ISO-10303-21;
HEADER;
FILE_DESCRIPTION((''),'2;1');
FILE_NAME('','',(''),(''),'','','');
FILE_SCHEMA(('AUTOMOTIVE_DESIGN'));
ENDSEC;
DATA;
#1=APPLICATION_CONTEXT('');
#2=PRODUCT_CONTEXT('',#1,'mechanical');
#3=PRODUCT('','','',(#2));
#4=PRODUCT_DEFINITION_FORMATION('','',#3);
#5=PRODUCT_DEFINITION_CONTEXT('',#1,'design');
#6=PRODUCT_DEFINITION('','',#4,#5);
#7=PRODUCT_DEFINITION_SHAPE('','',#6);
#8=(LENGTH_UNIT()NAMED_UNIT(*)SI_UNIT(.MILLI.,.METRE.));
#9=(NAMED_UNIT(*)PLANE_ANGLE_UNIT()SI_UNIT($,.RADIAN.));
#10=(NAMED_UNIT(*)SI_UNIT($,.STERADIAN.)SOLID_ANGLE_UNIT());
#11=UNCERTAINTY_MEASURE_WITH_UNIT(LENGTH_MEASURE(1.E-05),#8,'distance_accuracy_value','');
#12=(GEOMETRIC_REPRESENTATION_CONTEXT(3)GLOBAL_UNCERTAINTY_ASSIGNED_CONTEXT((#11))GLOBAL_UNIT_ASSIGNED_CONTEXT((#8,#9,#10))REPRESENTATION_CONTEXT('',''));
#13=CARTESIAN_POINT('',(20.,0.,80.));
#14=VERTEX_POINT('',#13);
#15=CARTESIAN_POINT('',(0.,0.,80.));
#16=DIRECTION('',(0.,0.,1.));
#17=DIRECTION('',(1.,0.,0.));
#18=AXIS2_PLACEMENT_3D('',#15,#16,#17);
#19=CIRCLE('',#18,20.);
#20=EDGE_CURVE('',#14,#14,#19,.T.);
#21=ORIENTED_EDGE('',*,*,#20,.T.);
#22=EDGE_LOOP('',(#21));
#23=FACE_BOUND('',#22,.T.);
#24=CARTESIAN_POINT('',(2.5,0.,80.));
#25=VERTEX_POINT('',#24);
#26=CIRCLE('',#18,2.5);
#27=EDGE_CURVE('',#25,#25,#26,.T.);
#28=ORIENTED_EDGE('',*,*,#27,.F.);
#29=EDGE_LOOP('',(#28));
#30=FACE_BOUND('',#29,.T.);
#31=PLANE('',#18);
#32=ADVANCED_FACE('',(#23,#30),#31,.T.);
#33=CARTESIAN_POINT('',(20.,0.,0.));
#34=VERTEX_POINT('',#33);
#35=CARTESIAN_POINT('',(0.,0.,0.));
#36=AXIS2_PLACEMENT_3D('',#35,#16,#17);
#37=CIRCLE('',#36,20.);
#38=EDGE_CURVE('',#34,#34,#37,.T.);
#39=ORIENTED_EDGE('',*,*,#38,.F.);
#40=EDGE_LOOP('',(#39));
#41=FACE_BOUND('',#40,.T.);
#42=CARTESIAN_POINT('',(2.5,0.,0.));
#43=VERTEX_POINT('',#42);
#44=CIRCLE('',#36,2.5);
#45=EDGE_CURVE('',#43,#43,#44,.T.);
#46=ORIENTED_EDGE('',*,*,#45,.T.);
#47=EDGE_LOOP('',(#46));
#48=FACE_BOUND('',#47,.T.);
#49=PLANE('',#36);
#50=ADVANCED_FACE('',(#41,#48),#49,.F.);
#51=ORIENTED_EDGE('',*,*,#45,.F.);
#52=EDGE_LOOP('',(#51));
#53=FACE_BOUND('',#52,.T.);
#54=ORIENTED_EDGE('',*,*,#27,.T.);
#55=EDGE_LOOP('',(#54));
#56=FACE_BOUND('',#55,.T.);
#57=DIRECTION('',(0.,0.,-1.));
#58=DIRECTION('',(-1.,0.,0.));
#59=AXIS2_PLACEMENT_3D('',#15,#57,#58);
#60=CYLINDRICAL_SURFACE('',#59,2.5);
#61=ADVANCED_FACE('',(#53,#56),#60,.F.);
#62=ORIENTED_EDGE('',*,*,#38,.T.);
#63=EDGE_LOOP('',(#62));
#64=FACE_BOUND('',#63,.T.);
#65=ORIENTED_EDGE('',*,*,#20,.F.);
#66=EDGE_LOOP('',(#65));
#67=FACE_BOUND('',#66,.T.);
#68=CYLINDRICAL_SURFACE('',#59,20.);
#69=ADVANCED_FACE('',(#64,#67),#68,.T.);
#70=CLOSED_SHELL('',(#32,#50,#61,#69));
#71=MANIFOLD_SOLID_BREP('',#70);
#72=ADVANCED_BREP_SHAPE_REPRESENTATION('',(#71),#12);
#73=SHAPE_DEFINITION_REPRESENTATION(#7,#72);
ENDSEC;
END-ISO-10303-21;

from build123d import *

# Parameters (mm, degrees)
SKETCH_1_R      = 20
SKETCH_1_R_2    = 2.5
EXTRUDE_1_DEPTH = 80


with BuildPart() as part:
    # 草图1 → 凸台-拉伸1 (new body)
    with BuildSketch(Plane.XY):
        Circle(SKETCH_1_R)
        Circle(SKETCH_1_R_2, mode=Mode.SUBTRACT)
    extrude(amount=EXTRUDE_1_DEPTH)


solid = part.part
